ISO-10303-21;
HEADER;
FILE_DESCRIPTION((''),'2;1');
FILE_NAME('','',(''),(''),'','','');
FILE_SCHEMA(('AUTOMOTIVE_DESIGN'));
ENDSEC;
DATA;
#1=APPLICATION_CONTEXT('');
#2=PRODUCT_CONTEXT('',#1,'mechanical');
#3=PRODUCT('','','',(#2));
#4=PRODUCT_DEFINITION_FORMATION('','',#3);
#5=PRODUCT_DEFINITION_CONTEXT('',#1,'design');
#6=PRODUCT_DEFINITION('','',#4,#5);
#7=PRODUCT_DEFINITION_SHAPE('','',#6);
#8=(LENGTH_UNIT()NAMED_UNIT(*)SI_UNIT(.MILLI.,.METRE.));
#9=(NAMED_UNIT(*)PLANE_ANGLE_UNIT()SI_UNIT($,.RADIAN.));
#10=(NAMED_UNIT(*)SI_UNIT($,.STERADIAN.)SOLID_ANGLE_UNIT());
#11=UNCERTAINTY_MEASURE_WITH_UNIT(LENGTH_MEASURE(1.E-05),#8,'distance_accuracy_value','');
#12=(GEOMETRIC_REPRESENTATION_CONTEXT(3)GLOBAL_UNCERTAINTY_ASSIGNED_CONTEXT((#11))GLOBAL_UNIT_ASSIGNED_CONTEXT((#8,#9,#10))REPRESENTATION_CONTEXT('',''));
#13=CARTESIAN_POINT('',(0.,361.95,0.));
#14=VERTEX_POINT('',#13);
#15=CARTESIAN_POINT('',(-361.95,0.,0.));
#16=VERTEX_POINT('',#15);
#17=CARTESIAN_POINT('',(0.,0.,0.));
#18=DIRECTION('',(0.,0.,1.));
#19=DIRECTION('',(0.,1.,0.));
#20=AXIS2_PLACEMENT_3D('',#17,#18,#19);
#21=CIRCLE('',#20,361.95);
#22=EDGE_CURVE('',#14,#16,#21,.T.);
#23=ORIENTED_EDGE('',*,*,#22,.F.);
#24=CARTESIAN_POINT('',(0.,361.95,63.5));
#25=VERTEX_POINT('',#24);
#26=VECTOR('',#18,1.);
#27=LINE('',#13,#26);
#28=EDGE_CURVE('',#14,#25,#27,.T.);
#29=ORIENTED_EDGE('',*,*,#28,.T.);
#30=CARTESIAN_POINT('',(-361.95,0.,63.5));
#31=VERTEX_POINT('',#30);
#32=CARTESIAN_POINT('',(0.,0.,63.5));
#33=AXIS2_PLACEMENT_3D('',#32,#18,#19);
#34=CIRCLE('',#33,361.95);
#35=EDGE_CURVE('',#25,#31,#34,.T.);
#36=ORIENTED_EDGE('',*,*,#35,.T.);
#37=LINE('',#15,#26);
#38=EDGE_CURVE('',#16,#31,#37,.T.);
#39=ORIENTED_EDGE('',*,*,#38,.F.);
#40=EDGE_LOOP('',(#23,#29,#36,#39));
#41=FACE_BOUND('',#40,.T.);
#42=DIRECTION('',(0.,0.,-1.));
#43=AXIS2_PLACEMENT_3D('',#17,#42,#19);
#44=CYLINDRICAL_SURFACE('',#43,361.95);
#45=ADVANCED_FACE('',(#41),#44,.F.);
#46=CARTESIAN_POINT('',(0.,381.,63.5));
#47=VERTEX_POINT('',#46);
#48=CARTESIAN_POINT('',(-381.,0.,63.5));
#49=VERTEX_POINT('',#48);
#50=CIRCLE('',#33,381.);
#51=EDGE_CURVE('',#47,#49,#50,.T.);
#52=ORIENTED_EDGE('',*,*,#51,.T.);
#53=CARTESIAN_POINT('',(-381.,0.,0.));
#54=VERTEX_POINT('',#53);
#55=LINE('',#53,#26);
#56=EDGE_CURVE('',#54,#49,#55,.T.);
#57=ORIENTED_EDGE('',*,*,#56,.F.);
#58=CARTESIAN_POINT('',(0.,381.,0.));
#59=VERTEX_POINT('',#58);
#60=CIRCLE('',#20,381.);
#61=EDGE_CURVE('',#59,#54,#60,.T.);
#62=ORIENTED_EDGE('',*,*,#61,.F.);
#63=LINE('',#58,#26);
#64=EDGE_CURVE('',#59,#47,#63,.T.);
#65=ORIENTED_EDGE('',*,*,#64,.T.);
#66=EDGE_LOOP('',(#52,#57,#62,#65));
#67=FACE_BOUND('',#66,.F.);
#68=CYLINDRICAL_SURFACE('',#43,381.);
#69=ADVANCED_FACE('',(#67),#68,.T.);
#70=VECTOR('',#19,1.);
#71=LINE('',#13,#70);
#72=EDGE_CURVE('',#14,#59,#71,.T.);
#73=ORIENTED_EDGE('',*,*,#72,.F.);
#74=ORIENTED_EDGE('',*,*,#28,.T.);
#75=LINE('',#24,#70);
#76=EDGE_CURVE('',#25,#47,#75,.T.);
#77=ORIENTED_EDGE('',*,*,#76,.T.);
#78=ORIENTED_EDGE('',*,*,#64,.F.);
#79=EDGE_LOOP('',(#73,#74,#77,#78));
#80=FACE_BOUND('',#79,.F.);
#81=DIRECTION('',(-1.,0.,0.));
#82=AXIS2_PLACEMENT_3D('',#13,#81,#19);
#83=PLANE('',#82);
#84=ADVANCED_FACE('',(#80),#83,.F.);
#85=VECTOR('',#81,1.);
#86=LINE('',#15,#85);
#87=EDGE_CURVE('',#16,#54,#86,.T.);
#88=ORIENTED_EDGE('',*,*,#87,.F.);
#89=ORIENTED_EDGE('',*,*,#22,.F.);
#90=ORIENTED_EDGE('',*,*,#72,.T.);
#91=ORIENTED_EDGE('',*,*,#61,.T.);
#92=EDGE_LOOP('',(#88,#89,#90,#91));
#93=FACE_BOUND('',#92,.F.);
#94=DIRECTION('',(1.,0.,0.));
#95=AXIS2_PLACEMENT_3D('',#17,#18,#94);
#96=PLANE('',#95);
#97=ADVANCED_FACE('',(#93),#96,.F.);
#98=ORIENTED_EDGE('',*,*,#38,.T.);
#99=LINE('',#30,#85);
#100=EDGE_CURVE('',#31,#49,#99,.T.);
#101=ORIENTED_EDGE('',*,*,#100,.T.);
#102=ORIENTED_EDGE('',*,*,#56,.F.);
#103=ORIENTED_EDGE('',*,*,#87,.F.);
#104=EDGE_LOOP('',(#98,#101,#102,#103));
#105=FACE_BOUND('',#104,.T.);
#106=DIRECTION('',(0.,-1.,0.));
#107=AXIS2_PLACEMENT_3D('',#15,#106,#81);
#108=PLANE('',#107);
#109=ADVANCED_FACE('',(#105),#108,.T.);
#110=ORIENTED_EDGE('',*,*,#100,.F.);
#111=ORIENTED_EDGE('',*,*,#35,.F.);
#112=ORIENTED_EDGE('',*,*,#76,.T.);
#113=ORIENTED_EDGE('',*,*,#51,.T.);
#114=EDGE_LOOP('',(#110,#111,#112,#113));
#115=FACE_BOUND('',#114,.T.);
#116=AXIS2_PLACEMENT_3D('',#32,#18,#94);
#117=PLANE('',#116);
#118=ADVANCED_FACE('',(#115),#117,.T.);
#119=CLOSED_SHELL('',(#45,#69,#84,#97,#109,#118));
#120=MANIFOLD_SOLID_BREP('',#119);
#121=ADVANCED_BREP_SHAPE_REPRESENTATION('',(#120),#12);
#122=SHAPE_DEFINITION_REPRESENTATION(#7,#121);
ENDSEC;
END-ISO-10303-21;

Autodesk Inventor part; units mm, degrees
ref_plane "YZ Plane" through (0, 0, 0) normal (1, 0, 0) x (0, 1, 0)
ref_plane "XZ Plane" through (0, 0, 0) normal (0, 1, 0) x (-1, 0, 0)
ref_plane "XY Plane" through (0, 0, 0) normal (0, 0, 1) x (1, 0, 0)
sketch "Sketch1" plane through (0, 0, 0) normal (0, 0, 1) x (1, 0, 0)
  arc A0 (0, 381) -> (-381, 0) centre (0, 0) ccw
  arc A1 (0, 361.95) -> (-361.95, 0) centre (0, 0) ccw
  line L0 (0, 361.95) -> (0, 381)
  line L1 (-361.95, 0) -> (-381, 0)
  dimension "d0" = 762
  dimension "d1" = 19.05
extrude "Extrusion1" add sketch "Sketch1" along normal blind 63.5
properties part number "Rubber Cushion" material "Rubber"
